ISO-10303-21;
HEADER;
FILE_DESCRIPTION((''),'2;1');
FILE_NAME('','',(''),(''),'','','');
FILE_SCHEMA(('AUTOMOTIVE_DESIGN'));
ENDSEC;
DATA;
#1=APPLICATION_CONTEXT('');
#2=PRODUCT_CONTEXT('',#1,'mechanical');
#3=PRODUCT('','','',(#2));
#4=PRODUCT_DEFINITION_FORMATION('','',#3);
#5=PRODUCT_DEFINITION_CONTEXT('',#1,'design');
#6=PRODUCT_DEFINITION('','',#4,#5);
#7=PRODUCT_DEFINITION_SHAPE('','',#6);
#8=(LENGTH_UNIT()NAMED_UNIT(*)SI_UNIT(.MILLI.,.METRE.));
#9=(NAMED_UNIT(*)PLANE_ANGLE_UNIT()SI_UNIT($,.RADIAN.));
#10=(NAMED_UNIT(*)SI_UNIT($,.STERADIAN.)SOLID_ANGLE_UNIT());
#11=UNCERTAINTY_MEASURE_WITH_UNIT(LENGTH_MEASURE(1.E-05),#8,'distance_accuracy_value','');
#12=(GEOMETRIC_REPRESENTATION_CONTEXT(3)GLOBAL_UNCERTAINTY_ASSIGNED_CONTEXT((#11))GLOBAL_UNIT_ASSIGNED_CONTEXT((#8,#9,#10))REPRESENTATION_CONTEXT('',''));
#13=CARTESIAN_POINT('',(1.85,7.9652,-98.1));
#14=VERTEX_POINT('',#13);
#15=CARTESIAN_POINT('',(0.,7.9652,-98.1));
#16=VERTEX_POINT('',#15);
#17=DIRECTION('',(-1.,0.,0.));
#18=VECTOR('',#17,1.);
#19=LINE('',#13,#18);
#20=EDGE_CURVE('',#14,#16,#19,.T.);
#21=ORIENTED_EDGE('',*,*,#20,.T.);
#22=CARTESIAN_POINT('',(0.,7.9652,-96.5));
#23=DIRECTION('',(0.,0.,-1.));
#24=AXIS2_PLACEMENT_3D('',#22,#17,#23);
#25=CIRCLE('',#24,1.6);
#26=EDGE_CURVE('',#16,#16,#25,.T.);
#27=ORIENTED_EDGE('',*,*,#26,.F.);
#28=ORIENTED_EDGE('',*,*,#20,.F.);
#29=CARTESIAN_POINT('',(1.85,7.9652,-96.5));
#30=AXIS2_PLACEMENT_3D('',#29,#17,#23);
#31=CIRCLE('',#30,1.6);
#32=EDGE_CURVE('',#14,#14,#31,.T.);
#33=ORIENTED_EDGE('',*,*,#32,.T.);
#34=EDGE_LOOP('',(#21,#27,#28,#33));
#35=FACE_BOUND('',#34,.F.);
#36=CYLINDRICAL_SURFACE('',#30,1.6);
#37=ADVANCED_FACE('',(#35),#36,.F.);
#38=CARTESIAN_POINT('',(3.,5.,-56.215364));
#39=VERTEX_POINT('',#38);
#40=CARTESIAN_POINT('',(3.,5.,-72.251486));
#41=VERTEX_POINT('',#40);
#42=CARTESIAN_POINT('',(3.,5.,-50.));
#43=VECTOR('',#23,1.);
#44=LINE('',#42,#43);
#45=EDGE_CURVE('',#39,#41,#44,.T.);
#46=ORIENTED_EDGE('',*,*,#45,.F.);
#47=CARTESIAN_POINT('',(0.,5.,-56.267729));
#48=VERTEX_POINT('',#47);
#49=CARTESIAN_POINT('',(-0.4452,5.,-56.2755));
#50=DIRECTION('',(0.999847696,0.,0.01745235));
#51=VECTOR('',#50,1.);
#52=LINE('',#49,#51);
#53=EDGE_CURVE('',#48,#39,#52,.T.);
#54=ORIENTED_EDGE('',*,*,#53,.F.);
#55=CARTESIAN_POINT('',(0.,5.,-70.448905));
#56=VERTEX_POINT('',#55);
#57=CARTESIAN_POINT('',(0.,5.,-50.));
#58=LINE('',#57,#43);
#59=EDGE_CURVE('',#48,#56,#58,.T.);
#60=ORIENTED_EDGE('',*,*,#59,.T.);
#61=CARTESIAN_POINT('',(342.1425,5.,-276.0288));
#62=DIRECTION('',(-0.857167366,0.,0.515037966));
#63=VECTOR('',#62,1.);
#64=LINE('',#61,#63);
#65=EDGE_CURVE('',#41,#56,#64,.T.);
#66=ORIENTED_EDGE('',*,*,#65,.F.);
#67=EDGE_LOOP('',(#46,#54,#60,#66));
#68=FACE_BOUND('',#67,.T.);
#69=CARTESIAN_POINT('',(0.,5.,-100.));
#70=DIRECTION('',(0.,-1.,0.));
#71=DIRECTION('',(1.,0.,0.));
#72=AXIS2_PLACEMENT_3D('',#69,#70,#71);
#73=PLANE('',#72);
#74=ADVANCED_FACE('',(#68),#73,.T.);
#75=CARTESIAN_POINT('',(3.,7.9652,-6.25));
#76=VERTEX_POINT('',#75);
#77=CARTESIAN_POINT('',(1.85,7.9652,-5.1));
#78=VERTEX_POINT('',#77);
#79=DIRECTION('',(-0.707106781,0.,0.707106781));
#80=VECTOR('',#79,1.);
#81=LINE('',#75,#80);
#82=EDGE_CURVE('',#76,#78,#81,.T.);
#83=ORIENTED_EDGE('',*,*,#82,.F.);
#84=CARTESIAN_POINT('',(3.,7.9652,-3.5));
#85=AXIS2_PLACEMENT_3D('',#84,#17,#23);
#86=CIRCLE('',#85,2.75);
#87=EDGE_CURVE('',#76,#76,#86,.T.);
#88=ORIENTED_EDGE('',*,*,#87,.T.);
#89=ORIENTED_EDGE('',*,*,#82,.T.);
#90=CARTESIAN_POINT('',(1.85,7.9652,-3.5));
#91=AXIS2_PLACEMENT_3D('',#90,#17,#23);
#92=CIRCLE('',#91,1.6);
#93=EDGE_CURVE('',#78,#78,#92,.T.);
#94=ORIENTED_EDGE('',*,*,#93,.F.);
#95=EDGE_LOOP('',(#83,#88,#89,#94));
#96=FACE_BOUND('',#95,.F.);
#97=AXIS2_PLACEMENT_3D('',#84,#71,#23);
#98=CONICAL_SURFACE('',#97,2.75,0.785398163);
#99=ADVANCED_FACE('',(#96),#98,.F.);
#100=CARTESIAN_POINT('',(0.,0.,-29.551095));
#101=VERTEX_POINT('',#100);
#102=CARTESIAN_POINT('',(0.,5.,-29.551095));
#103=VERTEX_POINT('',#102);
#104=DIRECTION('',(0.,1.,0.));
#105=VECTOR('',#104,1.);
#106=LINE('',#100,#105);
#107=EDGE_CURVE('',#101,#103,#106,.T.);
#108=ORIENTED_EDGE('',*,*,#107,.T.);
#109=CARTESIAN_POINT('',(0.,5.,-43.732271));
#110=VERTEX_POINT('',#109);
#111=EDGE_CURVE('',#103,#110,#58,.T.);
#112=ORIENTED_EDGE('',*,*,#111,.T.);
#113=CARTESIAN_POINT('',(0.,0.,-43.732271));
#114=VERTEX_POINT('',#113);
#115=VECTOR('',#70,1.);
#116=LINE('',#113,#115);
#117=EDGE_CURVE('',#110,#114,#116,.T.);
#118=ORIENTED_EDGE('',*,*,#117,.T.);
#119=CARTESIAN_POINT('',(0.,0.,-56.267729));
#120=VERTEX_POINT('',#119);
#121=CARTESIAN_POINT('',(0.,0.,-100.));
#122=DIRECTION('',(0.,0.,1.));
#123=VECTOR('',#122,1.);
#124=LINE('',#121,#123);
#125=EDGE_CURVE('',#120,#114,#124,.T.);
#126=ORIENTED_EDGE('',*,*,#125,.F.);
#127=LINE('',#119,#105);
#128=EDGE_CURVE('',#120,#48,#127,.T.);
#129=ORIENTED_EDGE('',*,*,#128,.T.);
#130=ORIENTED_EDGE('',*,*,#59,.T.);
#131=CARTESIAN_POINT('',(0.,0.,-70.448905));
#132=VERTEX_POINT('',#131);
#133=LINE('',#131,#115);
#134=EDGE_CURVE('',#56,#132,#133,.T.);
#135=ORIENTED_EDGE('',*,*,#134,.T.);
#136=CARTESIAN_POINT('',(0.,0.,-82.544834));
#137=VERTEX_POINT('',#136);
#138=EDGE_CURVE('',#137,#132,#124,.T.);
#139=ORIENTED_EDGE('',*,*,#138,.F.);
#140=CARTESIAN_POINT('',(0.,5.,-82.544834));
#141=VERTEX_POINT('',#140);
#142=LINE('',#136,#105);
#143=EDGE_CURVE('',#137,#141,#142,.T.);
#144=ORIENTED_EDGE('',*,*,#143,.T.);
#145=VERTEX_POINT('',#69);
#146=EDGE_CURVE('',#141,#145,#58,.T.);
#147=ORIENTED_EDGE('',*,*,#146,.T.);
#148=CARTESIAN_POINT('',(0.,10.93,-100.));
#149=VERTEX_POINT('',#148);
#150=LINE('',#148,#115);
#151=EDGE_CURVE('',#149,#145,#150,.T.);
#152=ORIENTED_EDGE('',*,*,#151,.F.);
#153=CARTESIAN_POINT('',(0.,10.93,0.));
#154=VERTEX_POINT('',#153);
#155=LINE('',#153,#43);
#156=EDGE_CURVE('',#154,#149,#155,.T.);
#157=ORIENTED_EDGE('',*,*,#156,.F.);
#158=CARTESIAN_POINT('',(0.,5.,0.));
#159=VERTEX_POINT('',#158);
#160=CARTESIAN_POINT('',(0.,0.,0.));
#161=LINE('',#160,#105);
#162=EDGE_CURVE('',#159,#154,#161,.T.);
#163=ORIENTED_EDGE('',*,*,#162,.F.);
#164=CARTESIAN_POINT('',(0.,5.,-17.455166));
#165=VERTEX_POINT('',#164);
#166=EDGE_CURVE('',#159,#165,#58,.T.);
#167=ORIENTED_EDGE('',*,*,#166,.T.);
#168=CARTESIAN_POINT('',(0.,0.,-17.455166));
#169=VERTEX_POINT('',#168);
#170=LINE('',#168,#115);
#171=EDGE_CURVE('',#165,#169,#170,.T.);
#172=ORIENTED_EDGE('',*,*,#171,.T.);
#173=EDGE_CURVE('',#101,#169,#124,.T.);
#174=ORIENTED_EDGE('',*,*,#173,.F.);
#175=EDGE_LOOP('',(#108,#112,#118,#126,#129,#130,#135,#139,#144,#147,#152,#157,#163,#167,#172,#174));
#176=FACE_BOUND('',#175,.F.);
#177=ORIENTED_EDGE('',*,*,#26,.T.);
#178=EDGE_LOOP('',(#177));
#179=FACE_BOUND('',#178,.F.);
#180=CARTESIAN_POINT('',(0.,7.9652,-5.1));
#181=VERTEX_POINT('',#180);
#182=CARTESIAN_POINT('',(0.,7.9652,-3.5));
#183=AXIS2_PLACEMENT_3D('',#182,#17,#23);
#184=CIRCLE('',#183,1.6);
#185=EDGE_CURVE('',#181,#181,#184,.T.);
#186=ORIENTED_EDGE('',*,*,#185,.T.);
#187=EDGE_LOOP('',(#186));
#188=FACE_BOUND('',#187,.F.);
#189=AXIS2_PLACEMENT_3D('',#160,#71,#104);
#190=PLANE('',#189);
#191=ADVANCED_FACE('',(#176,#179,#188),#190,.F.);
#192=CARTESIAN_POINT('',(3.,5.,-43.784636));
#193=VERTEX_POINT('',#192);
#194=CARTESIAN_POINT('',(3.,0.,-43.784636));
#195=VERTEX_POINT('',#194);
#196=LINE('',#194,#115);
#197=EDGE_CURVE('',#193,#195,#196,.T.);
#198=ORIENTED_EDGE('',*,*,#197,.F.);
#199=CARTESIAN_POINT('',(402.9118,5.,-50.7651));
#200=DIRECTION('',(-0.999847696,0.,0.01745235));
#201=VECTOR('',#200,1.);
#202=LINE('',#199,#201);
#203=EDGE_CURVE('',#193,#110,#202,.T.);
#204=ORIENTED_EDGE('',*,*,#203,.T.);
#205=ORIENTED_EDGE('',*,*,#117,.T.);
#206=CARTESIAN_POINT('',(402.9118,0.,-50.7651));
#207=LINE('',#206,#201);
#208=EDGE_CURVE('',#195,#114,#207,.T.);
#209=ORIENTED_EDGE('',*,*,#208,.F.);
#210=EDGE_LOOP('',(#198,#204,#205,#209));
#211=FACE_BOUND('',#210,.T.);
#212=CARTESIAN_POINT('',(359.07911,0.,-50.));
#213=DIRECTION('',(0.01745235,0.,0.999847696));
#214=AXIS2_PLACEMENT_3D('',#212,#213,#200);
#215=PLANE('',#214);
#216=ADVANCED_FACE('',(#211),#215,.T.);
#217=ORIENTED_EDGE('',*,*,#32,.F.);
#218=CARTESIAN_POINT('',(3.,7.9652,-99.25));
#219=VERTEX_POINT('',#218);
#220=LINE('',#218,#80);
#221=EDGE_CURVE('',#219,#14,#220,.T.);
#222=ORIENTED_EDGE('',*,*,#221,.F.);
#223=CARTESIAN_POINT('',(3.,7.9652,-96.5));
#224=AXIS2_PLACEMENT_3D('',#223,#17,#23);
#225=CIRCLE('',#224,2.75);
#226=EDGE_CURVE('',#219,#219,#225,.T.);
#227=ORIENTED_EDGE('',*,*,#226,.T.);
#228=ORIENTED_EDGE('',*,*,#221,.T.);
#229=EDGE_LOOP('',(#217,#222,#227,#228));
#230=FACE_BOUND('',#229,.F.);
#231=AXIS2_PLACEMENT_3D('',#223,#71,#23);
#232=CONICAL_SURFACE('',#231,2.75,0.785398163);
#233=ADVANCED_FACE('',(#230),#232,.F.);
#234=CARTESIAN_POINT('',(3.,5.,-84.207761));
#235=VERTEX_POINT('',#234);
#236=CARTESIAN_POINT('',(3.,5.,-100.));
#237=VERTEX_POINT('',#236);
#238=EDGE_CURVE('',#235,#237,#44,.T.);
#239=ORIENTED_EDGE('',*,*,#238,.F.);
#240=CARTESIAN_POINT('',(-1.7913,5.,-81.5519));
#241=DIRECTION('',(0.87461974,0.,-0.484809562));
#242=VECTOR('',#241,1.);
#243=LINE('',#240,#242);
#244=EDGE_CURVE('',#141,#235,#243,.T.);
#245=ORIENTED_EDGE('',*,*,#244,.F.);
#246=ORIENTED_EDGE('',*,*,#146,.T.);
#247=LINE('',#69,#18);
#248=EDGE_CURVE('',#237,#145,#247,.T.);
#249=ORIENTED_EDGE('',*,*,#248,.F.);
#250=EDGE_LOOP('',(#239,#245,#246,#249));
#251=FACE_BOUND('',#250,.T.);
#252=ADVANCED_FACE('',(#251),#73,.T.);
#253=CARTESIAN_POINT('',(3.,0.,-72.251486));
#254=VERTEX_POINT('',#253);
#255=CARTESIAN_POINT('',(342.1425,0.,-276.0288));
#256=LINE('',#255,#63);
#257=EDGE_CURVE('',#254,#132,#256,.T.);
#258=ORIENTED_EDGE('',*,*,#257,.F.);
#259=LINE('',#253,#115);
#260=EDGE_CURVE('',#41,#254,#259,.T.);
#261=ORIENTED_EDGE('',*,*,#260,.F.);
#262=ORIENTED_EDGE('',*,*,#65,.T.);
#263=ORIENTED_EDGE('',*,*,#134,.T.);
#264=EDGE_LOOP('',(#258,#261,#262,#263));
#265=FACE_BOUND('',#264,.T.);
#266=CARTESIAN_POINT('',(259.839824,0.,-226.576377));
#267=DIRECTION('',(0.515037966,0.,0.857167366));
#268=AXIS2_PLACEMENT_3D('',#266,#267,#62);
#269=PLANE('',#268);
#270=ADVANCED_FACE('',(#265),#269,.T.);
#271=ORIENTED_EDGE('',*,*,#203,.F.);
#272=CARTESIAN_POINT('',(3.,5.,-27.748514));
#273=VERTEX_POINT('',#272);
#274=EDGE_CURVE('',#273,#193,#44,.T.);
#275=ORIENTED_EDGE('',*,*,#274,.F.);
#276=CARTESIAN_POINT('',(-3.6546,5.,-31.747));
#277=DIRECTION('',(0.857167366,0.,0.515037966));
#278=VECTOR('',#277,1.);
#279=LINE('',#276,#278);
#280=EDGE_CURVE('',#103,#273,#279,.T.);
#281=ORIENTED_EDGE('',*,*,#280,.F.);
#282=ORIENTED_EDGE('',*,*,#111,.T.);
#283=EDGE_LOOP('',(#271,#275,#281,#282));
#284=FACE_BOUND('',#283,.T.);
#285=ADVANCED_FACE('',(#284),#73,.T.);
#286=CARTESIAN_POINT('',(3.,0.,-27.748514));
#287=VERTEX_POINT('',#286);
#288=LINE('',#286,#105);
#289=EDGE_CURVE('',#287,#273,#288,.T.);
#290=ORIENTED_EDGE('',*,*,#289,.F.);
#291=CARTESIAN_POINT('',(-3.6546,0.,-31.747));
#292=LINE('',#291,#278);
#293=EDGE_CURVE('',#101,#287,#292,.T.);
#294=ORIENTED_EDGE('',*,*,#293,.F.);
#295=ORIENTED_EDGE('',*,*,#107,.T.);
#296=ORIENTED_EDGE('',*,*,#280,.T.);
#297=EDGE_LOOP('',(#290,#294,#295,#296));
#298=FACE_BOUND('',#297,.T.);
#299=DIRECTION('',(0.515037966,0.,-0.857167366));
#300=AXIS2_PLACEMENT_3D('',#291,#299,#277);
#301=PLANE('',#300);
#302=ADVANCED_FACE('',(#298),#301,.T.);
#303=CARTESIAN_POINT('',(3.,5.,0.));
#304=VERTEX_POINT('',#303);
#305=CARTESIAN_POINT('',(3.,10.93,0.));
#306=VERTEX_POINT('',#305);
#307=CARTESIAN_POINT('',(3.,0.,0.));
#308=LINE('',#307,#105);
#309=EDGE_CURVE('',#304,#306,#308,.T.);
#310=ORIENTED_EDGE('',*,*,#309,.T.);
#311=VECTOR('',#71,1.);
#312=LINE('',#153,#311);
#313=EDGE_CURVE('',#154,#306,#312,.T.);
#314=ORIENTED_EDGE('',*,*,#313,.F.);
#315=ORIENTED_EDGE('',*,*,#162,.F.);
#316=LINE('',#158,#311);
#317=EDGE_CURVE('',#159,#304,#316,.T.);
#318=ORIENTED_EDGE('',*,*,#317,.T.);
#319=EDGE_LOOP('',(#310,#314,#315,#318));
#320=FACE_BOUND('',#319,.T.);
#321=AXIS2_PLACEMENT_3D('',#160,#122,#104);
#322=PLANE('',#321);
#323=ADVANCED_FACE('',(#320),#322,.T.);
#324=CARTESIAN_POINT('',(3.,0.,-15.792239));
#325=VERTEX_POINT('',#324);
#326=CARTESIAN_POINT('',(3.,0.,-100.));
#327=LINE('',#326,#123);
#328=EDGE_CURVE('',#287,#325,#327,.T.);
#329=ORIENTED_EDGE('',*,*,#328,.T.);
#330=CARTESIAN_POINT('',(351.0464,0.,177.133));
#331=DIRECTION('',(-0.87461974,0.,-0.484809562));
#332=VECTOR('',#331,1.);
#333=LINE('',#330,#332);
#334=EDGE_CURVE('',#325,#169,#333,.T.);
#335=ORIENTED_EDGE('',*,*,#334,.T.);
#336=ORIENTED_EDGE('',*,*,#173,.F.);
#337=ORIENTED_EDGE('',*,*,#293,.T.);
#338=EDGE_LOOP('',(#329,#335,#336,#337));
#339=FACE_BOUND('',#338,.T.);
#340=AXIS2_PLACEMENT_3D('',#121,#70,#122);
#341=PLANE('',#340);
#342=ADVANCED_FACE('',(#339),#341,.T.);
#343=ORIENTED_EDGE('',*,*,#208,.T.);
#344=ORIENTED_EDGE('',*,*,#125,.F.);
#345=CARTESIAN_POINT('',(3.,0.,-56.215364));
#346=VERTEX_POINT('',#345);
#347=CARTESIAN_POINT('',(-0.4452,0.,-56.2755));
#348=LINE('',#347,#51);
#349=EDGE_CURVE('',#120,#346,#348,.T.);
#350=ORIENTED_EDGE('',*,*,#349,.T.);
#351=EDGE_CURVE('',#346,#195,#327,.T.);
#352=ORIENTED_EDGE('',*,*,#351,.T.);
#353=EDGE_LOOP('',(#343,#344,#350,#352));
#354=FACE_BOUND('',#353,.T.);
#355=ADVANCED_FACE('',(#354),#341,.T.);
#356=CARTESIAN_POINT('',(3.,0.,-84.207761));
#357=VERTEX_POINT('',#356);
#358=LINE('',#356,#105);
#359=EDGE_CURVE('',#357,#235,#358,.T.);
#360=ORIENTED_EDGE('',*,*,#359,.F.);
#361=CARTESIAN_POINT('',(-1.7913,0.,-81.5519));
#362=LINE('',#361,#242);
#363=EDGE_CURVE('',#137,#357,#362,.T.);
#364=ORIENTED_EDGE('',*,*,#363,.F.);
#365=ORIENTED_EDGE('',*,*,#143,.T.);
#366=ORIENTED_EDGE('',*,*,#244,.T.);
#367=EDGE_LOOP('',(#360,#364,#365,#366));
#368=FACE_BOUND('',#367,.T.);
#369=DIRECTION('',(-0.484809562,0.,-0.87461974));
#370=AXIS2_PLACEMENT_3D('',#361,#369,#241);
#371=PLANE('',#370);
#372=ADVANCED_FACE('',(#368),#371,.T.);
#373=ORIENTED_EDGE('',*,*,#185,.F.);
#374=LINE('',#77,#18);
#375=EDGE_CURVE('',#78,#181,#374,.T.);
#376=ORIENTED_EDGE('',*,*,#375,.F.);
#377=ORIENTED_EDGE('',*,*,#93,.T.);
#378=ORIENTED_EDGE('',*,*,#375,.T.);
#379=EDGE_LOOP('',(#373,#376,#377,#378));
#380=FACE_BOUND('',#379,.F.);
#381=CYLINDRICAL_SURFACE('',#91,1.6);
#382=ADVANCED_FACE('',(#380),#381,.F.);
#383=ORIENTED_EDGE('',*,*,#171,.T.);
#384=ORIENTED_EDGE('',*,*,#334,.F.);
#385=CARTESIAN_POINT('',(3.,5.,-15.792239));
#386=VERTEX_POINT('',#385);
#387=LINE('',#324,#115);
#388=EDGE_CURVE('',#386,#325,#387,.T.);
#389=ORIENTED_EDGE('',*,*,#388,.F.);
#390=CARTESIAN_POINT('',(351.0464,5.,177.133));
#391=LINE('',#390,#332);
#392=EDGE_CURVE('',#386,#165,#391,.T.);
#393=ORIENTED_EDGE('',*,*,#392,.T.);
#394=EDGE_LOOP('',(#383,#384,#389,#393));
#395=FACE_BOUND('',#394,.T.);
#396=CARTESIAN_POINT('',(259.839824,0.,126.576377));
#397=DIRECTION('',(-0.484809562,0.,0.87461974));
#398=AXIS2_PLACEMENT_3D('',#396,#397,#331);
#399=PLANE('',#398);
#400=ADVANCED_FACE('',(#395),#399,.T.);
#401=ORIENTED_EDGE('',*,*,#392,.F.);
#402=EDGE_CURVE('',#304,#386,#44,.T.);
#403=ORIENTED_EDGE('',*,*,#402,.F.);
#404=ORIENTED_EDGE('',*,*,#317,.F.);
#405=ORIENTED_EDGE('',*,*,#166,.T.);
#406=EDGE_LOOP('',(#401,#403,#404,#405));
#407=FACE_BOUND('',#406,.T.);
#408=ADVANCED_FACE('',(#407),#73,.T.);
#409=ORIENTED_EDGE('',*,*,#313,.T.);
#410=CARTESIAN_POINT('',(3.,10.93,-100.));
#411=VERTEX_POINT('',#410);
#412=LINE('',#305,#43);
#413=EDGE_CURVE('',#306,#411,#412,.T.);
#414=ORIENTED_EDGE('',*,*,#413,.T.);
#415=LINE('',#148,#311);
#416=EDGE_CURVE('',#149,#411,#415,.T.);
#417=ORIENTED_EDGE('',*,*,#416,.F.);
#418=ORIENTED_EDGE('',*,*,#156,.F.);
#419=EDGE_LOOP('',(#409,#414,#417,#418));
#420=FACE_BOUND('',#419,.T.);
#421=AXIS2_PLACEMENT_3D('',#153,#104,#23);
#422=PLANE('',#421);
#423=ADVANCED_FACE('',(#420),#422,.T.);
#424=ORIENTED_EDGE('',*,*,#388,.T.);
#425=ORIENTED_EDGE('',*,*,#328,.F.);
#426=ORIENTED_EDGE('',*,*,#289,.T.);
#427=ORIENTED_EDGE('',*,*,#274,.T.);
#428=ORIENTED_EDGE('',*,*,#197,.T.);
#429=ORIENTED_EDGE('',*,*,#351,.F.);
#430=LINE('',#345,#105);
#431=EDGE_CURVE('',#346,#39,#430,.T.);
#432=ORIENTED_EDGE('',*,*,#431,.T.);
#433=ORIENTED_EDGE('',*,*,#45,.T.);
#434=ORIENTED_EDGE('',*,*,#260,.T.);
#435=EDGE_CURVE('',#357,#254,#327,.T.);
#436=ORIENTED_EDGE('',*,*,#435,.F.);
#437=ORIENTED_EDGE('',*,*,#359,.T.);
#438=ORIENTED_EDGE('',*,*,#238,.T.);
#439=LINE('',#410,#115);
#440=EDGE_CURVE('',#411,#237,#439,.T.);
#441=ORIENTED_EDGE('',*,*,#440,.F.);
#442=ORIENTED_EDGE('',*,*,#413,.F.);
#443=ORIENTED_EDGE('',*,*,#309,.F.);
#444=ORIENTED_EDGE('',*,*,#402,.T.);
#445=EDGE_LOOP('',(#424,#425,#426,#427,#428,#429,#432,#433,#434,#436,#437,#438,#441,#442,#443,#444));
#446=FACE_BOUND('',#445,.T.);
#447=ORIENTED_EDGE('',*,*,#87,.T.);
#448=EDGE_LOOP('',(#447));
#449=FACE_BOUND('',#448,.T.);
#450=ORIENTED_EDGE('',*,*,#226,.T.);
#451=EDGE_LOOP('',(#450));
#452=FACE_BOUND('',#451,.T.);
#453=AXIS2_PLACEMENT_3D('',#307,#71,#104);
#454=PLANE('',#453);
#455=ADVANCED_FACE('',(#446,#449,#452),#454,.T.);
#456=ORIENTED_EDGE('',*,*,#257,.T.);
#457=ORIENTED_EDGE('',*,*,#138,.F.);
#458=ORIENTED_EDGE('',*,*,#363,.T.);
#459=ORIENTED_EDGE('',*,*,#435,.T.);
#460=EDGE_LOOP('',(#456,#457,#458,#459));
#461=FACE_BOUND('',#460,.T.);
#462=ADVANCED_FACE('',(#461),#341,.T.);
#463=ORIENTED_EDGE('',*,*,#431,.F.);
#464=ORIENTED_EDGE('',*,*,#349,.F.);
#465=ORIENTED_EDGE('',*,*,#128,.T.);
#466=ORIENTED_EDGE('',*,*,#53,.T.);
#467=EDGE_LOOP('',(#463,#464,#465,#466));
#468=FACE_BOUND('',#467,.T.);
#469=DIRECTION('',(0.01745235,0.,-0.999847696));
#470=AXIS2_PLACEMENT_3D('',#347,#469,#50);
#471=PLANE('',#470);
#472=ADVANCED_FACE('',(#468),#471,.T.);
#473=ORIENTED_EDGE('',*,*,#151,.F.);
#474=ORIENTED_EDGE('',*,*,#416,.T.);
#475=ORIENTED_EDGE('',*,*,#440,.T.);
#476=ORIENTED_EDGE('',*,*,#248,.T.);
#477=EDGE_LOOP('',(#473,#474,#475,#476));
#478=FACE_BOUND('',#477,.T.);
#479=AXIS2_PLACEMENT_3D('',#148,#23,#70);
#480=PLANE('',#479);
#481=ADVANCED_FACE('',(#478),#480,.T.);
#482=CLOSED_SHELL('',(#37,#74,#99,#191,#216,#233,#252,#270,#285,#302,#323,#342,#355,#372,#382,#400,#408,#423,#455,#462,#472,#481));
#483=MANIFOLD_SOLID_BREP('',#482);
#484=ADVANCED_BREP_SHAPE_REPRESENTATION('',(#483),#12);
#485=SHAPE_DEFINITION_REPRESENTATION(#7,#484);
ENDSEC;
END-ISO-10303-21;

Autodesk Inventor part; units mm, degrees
ref_plane "YZ Plane" through (0, 0, 0) normal (1, 0, 0) x (0, 1, 0)
ref_plane "XZ Plane" through (0, 0, 0) normal (0, 1, 0) x (-1, 0, 0)
ref_plane "XY Plane" through (0, 0, 0) normal (0, 0, 1) x (1, 0, 0)
sketch "Szkic1" plane through (0, 0, 0) normal (1, 0, 0) x (0, 1, 0)
  line L0 (0, 0) -> (10.93, 0)
  line L1 (10.93, 0) -> (10.93, -100)
  line L2 (10.93, -100) -> (0, -100)
  line L3 (0, -100) -> (0, 0)
  dimension "d0" = 10.93
  dimension "d1" = 100
extrude "Wyciągnięcie proste1" add sketch "Szkic1" along normal blind 3
sketch "Szkic2" plane through (0, 0, -100) normal (0, -1, 0) x (1, 0, 0)
  line L0 (-5, 84) -> (-8.1113, 87.1113) projected
  line L1 (-5, 84) -> (-4.2222, 84.7778) projected
  line L2 (-8.1113, 87.1113) -> (-7.3335, 87.8891) projected
  line L3 (-2, 60) -> (-3.1388, 64.2501) projected
  line L4 (-2, 60) -> (-0.9375, 60.2847) projected
  line L5 (-3.1388, 64.2501) -> (-2.0763, 64.5348) projected
  line L6 (-3.1388, 35.7499) -> (-2, 40) projected
  line L7 (-3.1388, 35.7499) -> (-2.0763, 35.4652) projected
  line L8 (-2, 40) -> (-0.9375, 39.7153) projected
  line L9 (-8.1113, 12.8887) -> (-5, 16) projected
  line L10 (-8.1113, 12.8887) -> (-7.3335, 12.1109) projected
  line L11 (-5, 16) -> (-4.2222, 15.2222) projected
  line L12 (-30.0489, 4.1) -> (-25.6489, 4.1) projected
  line L13 (-30.0489, 4.1) -> (-30.0489, 3) projected
  line L14 (-25.6489, 4.1) -> (-25.6489, 3) projected
  line L15 (-1.7913, 81.5519) -> (-5, 78.3431)
  line L16 (-5, 78.3431) -> (-13.7681, 87.1113)
  line L17 (-13.7681, 87.1113) -> (-10.5594, 90.32)
  line L18 (-10.5594, 90.32) -> (185.0217, 443.1577)
  arc A0 (351.0464, 277.133) -> (185.0217, 443.1577) centre (-11.203, 80.9083) ccw
  line L19 (351.0464, 277.133) -> (-1.7913, 81.5519)
  arc A1 (402.9118, 49.2349) -> (342.1425, 276.0288) centre (-8.9178, 60.424) ccw
  line L20 (402.9118, 49.2349) -> (-0.4452, 56.2755)
  line L21 (-0.4452, 56.2755) -> (-4.8284, 55.101)
  line L22 (-4.8284, 55.101) -> (-8.0378, 67.0785)
  line L23 (-8.0378, 67.0785) -> (-3.6546, 68.253)
  line L24 (-3.6546, 68.253) -> (342.1425, 276.0288)
  arc A2 (342.1425, -176.0288) -> (402.9118, 50.7651) centre (-8.9178, 39.576) ccw
  line L25 (342.1425, -176.0288) -> (-3.6546, 31.747)
  line L26 (-3.6546, 31.747) -> (-8.0378, 32.9215)
  line L27 (-8.0378, 32.9215) -> (-4.8284, 44.899)
  line L28 (-4.8284, 44.899) -> (-0.4452, 43.7245)
  line L29 (-0.4452, 43.7245) -> (402.9118, 50.7651)
  arc A3 (185.0217, -343.1577) -> (351.0464, -177.133) centre (-11.203, 19.0917) ccw
  line L30 (185.0217, -343.1577) -> (-10.5594, 9.68)
  line L31 (-10.5594, 9.68) -> (-13.7681, 12.8887)
  line L32 (-13.7681, 12.8887) -> (-5, 21.6569)
  line L33 (-5, 21.6569) -> (-1.7913, 18.4481)
  line L34 (-1.7913, 18.4481) -> (351.0464, -177.133)
  line L35 (-25.6489, 3) -> (-30.0489, 3) projected
  line L36 (-0.9375, 39.7153) -> (-2.0763, 35.4652) projected
  line L37 (-7.3335, 87.8891) -> (-4.2222, 84.7778) projected
  line L38 (-2.0763, 64.5348) -> (-0.9375, 60.2847) projected
  line L39 (-4.2222, 15.2222) -> (-7.3335, 12.1109) projected
  point P0 (0, 100)
  point P1 (259.8393, 226.5761)
  point P2 (359.0779, 50)
  point P3 (259.8393, -126.5761)
  point P4 (343.886, -173.1639)
  point P5 (402.9318, 50)
  point P6 (343.886, 273.1639)
extrude "Wyciągnięcie proste2" cut sketch "Szkic2" against normal blind 5 contours L0 L2 L37 L1 | L3 L5 L38 L4 | L6 L8 L36 L7 | L9 L11 L39 L10 | L15 L16 L17 L18 A0 L19 A1 L24 | L24 A1 L19 | L19 A1 A2 L29 L20 L21 L22 L23 L24 | A2 L34 L25 L26 L27 L28 L29 L20 A1 | A1 L20 L29 A2 | L34 A3 L30 L31 L32 L33 L25 A2 | A2 L25 L34
sketch "Szkic3" plane through (3, 0, 0) normal (1, 0, 0) x (0, 0, -1)
  circle A0 centre (3.5, 7.9652) radius 2 projected
  circle A1 centre (96.5, 7.9652) radius 2 projected
  point P0 (0, 0)
hole "Otwór1" at (3, 7.9652, -3.5) at (3, 7.9652, -96.5) direction (-1, 0, 0) diameter 3.2 depth 5 tip angle 118 countersink diameter 5.5 countersink angle 90
properties part number "przod_kopia" material "Stal, odlew"
